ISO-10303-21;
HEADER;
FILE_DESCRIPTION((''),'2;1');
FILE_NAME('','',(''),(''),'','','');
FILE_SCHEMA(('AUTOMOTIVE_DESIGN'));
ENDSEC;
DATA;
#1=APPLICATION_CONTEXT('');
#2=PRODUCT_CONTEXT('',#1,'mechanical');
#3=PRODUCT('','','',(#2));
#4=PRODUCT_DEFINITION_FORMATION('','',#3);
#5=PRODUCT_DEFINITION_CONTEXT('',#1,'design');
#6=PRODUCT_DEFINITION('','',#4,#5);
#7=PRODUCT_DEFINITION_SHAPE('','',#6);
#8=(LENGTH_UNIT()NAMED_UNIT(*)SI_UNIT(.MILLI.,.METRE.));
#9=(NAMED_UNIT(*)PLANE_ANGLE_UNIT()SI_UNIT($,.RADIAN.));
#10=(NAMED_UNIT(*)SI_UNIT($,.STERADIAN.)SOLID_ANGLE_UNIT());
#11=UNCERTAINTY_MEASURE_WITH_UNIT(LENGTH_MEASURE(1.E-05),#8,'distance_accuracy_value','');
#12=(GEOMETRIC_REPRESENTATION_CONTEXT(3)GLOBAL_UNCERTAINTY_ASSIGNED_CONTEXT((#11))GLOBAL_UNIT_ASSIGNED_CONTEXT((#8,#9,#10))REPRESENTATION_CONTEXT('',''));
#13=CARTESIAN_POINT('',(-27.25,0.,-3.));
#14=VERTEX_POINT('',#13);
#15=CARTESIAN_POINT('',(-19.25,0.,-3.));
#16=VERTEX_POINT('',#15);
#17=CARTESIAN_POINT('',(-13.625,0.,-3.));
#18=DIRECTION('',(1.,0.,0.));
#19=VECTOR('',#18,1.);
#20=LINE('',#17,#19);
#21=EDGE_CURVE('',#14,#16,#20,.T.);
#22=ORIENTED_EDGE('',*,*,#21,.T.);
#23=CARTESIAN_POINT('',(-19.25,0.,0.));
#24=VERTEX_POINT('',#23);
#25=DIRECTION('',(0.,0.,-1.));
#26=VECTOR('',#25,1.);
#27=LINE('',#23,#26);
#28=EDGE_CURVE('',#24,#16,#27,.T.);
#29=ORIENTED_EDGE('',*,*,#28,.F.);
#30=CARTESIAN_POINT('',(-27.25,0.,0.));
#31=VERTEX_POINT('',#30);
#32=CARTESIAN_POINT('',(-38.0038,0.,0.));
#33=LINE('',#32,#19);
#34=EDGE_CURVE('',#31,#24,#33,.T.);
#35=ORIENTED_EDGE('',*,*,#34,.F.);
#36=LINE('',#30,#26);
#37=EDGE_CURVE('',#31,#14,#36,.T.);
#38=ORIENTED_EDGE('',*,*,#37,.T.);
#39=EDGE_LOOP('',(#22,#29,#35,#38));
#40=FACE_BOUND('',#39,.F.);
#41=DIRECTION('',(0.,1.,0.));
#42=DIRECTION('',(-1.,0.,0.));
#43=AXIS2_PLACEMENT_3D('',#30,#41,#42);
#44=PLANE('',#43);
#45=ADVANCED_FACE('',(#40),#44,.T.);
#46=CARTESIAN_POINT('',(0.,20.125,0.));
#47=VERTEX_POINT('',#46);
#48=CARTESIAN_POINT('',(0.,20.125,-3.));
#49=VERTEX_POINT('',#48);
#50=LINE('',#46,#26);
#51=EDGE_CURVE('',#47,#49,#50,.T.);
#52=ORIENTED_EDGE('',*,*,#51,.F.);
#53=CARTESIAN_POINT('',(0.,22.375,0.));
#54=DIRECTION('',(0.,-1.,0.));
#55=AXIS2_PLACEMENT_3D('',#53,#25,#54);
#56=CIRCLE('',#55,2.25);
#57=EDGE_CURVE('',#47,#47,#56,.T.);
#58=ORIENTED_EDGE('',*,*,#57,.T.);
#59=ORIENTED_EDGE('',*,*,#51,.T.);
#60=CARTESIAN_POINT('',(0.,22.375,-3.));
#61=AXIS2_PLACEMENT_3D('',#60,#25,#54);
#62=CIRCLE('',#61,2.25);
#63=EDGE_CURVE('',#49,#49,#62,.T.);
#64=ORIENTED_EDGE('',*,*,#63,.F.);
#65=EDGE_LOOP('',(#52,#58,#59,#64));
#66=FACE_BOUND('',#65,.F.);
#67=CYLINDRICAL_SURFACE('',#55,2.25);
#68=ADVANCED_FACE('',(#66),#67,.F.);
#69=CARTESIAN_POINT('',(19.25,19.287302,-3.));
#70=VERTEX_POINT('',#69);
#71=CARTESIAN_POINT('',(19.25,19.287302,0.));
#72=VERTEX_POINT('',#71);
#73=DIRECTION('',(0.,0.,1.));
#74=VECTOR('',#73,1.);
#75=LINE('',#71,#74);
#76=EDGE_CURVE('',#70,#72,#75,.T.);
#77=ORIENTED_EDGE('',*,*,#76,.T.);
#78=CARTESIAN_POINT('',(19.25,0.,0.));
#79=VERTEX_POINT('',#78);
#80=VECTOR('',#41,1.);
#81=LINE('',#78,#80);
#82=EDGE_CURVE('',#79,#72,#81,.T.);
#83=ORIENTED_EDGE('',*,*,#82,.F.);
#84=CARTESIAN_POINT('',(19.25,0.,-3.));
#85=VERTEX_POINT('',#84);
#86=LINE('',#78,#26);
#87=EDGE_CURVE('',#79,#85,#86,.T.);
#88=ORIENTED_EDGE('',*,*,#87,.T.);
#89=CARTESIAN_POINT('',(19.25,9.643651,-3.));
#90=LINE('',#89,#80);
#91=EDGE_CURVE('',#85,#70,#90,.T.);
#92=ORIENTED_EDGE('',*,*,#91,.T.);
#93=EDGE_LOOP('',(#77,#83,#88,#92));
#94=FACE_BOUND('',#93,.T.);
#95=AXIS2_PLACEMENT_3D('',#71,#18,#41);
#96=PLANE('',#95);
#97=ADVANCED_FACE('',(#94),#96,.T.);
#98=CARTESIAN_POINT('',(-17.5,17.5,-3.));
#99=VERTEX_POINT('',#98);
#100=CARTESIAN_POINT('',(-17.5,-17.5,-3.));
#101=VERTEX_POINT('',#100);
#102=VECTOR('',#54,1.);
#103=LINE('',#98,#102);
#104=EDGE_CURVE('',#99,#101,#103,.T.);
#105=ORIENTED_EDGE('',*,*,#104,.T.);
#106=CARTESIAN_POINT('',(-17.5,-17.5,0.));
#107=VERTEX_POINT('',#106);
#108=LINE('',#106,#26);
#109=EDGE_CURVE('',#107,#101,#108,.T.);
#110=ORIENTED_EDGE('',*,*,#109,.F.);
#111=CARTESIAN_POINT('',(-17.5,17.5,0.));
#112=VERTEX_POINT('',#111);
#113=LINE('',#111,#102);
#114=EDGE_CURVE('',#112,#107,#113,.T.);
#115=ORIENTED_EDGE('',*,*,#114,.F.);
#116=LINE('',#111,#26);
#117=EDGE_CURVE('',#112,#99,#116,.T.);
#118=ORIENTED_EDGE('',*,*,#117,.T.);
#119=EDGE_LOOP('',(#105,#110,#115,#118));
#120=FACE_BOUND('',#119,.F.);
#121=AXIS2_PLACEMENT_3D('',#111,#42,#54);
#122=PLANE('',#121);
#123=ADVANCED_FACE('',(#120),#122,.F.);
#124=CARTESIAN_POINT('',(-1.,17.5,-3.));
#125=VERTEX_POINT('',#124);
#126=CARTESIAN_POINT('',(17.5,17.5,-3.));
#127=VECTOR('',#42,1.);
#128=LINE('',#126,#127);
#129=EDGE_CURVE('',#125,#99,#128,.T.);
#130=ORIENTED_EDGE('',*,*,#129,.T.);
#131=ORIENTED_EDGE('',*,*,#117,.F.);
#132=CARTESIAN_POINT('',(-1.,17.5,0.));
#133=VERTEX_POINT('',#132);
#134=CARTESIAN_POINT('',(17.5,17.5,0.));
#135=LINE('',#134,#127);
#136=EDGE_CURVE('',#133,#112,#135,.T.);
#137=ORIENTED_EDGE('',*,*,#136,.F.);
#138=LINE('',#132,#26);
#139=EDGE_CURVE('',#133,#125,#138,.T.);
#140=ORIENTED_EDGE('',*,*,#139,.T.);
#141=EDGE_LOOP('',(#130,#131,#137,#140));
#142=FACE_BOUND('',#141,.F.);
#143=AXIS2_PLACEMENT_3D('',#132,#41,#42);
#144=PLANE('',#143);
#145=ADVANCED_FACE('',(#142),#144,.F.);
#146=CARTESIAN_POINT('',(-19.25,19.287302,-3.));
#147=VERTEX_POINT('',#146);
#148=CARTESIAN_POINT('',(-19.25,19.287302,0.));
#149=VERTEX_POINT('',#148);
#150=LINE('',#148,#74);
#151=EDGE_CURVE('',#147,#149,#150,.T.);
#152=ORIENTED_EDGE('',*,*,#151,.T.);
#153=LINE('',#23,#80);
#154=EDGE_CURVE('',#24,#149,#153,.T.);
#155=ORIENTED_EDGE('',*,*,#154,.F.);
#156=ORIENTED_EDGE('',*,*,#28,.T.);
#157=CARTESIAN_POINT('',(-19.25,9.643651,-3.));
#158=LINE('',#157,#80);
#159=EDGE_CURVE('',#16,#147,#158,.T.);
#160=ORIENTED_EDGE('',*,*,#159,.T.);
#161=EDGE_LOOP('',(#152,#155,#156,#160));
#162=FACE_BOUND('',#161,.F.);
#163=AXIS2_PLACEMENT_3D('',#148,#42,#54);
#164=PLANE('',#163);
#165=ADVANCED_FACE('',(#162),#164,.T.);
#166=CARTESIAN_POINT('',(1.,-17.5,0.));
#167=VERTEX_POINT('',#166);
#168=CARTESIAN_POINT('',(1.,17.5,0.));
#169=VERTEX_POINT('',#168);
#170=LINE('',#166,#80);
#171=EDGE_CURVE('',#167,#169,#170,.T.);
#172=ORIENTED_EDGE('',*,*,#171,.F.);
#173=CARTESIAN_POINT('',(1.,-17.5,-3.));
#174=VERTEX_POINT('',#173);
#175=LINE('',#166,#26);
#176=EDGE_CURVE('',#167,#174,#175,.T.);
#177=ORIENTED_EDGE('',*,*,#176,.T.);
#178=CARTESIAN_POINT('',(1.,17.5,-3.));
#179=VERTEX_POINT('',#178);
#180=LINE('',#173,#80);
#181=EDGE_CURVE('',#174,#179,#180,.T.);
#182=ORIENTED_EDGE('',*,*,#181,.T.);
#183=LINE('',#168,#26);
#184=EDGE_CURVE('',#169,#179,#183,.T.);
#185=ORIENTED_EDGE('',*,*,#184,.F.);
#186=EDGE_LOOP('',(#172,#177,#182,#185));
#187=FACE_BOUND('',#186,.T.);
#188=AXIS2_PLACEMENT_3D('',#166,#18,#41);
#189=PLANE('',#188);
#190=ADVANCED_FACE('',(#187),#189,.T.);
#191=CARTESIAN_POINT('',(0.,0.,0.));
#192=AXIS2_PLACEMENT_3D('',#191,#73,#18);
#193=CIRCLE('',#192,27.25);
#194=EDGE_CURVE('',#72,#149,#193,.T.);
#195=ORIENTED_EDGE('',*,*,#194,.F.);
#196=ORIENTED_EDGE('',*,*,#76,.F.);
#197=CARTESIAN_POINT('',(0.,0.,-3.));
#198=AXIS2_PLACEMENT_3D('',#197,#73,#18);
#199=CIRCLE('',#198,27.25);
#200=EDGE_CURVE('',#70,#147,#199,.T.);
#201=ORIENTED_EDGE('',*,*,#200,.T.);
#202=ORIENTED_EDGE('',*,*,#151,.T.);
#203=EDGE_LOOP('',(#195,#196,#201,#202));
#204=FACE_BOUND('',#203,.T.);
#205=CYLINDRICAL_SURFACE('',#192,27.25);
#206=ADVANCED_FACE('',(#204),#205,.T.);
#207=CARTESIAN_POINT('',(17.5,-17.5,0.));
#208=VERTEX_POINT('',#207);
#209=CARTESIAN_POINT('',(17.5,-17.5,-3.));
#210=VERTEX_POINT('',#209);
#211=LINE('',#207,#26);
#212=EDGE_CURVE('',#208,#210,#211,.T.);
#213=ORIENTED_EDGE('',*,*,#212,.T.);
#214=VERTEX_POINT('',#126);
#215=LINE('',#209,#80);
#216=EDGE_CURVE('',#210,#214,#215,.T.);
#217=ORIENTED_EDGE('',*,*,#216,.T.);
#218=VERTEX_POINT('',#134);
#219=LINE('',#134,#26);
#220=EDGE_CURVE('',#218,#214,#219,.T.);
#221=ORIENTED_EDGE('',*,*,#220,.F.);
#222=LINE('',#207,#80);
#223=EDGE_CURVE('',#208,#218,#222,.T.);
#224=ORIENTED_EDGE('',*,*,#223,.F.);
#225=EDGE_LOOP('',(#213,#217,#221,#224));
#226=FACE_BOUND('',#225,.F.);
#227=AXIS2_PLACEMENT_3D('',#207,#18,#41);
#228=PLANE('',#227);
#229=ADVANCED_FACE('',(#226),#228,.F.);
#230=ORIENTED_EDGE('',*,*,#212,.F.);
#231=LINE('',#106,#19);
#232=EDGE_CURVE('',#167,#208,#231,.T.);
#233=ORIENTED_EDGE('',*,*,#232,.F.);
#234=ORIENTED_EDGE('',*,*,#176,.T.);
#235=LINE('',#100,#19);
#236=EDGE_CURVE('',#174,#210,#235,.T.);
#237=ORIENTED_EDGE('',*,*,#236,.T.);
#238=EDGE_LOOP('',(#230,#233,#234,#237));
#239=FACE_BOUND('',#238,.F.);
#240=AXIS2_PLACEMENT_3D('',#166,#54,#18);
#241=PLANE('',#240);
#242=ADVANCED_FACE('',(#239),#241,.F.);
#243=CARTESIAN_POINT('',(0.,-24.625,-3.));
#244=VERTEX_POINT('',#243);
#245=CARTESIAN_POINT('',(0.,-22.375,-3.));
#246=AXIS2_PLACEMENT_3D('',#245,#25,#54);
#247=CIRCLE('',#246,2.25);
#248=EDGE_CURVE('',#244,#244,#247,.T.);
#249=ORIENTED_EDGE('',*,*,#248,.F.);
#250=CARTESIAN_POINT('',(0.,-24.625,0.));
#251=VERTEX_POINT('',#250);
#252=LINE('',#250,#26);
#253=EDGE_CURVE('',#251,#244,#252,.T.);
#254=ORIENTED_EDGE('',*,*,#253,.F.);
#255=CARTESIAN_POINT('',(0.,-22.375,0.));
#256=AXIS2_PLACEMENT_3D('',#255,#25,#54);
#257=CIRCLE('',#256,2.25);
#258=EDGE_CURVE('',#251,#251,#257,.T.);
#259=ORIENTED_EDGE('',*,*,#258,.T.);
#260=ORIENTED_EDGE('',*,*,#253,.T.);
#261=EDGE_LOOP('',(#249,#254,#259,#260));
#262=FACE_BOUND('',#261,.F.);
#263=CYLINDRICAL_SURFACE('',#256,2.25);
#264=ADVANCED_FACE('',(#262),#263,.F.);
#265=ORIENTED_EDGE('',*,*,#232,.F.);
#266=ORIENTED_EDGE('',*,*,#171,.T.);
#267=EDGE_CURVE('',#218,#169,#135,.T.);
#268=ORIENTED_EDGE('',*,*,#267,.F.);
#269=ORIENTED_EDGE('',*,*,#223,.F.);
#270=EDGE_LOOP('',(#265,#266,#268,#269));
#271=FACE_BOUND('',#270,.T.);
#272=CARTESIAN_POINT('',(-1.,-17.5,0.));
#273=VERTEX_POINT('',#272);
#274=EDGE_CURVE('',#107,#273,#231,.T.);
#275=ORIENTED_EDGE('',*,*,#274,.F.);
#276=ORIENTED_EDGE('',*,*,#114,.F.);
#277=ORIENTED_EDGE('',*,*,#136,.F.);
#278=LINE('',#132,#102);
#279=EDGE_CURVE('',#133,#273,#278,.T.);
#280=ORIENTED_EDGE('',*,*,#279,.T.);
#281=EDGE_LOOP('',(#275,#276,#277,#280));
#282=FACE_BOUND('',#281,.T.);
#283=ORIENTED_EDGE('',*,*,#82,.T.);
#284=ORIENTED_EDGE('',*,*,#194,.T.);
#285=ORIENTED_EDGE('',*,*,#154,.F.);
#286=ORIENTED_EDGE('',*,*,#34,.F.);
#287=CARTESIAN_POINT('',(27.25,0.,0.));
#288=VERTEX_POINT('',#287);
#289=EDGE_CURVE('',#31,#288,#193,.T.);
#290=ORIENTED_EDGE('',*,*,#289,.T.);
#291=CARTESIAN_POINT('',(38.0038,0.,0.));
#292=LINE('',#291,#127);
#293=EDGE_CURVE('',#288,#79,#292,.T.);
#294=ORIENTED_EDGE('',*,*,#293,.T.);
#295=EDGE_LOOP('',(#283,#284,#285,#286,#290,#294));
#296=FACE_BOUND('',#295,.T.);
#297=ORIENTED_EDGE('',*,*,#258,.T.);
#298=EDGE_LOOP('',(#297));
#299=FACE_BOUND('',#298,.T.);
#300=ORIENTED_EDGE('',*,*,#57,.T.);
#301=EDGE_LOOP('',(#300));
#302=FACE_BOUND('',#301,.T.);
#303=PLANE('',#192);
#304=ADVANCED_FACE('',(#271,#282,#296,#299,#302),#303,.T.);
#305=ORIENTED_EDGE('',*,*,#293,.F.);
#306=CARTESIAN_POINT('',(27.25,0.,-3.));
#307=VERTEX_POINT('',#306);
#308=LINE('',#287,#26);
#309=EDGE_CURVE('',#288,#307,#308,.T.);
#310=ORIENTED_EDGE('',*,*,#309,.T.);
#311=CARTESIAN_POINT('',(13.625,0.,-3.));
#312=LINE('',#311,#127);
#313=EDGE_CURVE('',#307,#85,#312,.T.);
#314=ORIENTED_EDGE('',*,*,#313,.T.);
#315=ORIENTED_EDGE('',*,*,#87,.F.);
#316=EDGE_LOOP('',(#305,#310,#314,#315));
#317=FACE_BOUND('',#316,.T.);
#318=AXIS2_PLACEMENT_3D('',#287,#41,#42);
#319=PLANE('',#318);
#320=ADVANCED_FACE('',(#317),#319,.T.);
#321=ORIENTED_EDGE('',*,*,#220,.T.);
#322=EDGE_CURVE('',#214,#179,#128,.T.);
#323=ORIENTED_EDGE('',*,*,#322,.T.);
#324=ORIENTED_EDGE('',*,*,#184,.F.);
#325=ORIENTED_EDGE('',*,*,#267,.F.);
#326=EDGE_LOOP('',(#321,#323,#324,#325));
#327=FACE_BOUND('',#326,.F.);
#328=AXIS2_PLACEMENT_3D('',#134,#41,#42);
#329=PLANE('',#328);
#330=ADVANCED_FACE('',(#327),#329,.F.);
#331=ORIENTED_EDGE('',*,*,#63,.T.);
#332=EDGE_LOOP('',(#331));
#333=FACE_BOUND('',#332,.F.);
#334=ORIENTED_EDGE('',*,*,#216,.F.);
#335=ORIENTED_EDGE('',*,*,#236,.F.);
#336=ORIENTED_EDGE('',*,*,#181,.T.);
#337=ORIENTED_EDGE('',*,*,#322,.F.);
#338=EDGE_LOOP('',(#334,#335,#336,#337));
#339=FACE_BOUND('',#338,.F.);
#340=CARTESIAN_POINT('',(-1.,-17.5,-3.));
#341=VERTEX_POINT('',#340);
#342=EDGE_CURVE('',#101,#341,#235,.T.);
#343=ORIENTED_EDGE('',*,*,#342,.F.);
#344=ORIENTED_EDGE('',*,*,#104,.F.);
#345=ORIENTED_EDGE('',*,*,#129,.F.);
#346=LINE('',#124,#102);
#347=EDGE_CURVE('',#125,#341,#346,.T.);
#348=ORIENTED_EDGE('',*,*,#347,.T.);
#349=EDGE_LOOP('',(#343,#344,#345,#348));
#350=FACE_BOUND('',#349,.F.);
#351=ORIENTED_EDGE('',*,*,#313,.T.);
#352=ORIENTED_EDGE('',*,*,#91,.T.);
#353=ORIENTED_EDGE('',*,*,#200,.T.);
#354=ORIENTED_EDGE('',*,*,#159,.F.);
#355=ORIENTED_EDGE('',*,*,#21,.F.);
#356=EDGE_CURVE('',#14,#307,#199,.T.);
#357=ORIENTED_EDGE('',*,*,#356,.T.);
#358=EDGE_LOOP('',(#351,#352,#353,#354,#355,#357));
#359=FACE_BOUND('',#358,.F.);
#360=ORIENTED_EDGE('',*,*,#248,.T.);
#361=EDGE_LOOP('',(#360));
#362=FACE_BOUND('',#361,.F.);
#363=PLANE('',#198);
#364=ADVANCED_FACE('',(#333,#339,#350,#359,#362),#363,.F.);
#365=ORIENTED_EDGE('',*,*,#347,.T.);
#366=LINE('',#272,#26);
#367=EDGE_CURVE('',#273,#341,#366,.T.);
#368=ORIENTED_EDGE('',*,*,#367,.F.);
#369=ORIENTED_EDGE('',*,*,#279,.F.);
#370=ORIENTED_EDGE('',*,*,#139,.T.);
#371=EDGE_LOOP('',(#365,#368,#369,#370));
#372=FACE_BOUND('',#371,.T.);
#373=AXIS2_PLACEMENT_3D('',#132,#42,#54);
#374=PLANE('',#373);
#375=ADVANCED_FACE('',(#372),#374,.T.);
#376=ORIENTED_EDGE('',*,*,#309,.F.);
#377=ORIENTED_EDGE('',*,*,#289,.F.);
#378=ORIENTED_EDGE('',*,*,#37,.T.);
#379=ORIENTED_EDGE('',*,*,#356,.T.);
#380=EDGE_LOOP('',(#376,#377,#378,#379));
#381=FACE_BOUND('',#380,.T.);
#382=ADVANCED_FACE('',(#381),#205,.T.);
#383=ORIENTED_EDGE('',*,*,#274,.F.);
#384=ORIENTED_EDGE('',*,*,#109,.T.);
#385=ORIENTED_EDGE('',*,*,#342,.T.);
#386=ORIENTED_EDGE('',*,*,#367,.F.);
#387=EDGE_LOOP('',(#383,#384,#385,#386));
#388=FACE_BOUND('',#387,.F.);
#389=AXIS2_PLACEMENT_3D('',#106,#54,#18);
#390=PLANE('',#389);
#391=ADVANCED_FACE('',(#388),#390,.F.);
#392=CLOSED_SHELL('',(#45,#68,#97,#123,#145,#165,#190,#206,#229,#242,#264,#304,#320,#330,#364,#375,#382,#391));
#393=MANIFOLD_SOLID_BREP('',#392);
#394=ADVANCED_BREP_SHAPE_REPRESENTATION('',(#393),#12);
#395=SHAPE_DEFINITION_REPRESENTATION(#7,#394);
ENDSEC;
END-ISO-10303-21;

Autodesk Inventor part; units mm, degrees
ref_plane "YZ Plane" through (0, 0, 0) normal (1, 0, 0) x (0, 1, 0)
ref_plane "XZ Plane" through (0, 0, 0) normal (0, 1, 0) x (-1, 0, 0)
ref_plane "XY Plane" through (0, 0, 0) normal (0, 0, 1) x (1, 0, 0)
sketch "スケッチ1" plane through (0, 0, 0) normal (0, 0, 1) x (1, 0, 0)
  circle A0 centre (0, 0) radius 27.25
  line L0 (17.5, 17.5) -> (-17.5, 17.5)
  line L1 (-17.5, 17.5) -> (-17.5, -17.5)
  line L2 (-17.5, -17.5) -> (17.5, -17.5)
  line L3 (17.5, -17.5) -> (17.5, 17.5)
  line L4 (17.5, 17.5) -> (-17.5, -17.5) construction
  line L5 (-17.5, 17.5) -> (17.5, -17.5) construction
  line L6 (1, 17.5) -> (-1, 17.5)
  line L7 (-1, 17.5) -> (-1, -17.5)
  line L8 (-1, -17.5) -> (1, -17.5)
  line L9 (1, -17.5) -> (1, 17.5)
  line L10 (1, 17.5) -> (-1, -17.5) construction
  line L11 (-1, 17.5) -> (1, -17.5) construction
  point P0 (1, -17.5)
  point P1 (1, 17.5)
  point P2 (-1, 17.5)
  point P3 (-1, -17.5)
  dimension "d0" = 54.5
  dimension "d6" = 35
  dimension "d107" = 2
  dimension "d108" = 35
extrude "押し出し1" add sketch "スケッチ1" against normal blind 3 contours A0 | L9 L2 L7 L0
sketch "スケッチ2" plane through (0, 0, 0) normal (0, 0, 1) x (1, 0, 0)
  line L0 (0, 42.4511) -> (0, -37.5489)
  line L1 (38.0038, 0) -> (-41.9962, 0)
  line L2 (27.25, 42.0143) -> (27.25, -37.9857)
  circle A0 centre (0, 0) radius 27.25 projected
  line L3 (17.5, 17.5) -> (17.5, -17.5) projected
  line L4 (19.25, 25) -> (27.25, 25)
  line L5 (27.25, 25) -> (27.25, -25)
  line L6 (27.25, -25) -> (19.25, -25)
  line L7 (19.25, -25) -> (19.25, 25)
  line L8 (19.25, 25) -> (27.25, -25) construction
  line L9 (27.25, 25) -> (19.25, -25) construction
  point P0 (17.5, 0)
  point P1 (23.25, 0)
  point P2 (19.25, 0)
  point P3 (27.25, 0)
  dimension "d13" = 9.75
  dimension "d14" = 8
  dimension "d15" = 50
  dimension "d19" = 54.5
  dimension "d110" = 1.75
extrude "押し出し2" cut sketch "スケッチ2" against normal blind 10 contours L7 L4 L2 A0 | A0 L1 L7 picked at (20.3822, 11.481)
mirror "ミラー1" about plane through (0, 0, 0) normal (1, 0, 0) of "押し出し2"
sketch "スケッチ8" plane through (0, 0, 0) normal (0, 0, 1) x (1, 0, 0)
  circle A0 centre (0, 0) radius 22.375
  circle A1 centre (0, 0) radius 27.25
  line L0 (0, 31.1603) -> (0, -30.8706)
  point P0 (0, 0)
  point P1 (0, 22.375)
  point P2 (0, -22.375)
  dimension "d112" = 44.75
  dimension "d113" = 54.5
hole "穴5" at (0, 22.375, 0) at (0, -22.375, 0) direction (0, 0, -1) diameter 4.5 end through all clearance for "Countersunk Flat Head Screw ISO 2009/7046" size "M4" standard "ISO"
properties part number "Part3_A_Y" material "鋼、軟鋼"
